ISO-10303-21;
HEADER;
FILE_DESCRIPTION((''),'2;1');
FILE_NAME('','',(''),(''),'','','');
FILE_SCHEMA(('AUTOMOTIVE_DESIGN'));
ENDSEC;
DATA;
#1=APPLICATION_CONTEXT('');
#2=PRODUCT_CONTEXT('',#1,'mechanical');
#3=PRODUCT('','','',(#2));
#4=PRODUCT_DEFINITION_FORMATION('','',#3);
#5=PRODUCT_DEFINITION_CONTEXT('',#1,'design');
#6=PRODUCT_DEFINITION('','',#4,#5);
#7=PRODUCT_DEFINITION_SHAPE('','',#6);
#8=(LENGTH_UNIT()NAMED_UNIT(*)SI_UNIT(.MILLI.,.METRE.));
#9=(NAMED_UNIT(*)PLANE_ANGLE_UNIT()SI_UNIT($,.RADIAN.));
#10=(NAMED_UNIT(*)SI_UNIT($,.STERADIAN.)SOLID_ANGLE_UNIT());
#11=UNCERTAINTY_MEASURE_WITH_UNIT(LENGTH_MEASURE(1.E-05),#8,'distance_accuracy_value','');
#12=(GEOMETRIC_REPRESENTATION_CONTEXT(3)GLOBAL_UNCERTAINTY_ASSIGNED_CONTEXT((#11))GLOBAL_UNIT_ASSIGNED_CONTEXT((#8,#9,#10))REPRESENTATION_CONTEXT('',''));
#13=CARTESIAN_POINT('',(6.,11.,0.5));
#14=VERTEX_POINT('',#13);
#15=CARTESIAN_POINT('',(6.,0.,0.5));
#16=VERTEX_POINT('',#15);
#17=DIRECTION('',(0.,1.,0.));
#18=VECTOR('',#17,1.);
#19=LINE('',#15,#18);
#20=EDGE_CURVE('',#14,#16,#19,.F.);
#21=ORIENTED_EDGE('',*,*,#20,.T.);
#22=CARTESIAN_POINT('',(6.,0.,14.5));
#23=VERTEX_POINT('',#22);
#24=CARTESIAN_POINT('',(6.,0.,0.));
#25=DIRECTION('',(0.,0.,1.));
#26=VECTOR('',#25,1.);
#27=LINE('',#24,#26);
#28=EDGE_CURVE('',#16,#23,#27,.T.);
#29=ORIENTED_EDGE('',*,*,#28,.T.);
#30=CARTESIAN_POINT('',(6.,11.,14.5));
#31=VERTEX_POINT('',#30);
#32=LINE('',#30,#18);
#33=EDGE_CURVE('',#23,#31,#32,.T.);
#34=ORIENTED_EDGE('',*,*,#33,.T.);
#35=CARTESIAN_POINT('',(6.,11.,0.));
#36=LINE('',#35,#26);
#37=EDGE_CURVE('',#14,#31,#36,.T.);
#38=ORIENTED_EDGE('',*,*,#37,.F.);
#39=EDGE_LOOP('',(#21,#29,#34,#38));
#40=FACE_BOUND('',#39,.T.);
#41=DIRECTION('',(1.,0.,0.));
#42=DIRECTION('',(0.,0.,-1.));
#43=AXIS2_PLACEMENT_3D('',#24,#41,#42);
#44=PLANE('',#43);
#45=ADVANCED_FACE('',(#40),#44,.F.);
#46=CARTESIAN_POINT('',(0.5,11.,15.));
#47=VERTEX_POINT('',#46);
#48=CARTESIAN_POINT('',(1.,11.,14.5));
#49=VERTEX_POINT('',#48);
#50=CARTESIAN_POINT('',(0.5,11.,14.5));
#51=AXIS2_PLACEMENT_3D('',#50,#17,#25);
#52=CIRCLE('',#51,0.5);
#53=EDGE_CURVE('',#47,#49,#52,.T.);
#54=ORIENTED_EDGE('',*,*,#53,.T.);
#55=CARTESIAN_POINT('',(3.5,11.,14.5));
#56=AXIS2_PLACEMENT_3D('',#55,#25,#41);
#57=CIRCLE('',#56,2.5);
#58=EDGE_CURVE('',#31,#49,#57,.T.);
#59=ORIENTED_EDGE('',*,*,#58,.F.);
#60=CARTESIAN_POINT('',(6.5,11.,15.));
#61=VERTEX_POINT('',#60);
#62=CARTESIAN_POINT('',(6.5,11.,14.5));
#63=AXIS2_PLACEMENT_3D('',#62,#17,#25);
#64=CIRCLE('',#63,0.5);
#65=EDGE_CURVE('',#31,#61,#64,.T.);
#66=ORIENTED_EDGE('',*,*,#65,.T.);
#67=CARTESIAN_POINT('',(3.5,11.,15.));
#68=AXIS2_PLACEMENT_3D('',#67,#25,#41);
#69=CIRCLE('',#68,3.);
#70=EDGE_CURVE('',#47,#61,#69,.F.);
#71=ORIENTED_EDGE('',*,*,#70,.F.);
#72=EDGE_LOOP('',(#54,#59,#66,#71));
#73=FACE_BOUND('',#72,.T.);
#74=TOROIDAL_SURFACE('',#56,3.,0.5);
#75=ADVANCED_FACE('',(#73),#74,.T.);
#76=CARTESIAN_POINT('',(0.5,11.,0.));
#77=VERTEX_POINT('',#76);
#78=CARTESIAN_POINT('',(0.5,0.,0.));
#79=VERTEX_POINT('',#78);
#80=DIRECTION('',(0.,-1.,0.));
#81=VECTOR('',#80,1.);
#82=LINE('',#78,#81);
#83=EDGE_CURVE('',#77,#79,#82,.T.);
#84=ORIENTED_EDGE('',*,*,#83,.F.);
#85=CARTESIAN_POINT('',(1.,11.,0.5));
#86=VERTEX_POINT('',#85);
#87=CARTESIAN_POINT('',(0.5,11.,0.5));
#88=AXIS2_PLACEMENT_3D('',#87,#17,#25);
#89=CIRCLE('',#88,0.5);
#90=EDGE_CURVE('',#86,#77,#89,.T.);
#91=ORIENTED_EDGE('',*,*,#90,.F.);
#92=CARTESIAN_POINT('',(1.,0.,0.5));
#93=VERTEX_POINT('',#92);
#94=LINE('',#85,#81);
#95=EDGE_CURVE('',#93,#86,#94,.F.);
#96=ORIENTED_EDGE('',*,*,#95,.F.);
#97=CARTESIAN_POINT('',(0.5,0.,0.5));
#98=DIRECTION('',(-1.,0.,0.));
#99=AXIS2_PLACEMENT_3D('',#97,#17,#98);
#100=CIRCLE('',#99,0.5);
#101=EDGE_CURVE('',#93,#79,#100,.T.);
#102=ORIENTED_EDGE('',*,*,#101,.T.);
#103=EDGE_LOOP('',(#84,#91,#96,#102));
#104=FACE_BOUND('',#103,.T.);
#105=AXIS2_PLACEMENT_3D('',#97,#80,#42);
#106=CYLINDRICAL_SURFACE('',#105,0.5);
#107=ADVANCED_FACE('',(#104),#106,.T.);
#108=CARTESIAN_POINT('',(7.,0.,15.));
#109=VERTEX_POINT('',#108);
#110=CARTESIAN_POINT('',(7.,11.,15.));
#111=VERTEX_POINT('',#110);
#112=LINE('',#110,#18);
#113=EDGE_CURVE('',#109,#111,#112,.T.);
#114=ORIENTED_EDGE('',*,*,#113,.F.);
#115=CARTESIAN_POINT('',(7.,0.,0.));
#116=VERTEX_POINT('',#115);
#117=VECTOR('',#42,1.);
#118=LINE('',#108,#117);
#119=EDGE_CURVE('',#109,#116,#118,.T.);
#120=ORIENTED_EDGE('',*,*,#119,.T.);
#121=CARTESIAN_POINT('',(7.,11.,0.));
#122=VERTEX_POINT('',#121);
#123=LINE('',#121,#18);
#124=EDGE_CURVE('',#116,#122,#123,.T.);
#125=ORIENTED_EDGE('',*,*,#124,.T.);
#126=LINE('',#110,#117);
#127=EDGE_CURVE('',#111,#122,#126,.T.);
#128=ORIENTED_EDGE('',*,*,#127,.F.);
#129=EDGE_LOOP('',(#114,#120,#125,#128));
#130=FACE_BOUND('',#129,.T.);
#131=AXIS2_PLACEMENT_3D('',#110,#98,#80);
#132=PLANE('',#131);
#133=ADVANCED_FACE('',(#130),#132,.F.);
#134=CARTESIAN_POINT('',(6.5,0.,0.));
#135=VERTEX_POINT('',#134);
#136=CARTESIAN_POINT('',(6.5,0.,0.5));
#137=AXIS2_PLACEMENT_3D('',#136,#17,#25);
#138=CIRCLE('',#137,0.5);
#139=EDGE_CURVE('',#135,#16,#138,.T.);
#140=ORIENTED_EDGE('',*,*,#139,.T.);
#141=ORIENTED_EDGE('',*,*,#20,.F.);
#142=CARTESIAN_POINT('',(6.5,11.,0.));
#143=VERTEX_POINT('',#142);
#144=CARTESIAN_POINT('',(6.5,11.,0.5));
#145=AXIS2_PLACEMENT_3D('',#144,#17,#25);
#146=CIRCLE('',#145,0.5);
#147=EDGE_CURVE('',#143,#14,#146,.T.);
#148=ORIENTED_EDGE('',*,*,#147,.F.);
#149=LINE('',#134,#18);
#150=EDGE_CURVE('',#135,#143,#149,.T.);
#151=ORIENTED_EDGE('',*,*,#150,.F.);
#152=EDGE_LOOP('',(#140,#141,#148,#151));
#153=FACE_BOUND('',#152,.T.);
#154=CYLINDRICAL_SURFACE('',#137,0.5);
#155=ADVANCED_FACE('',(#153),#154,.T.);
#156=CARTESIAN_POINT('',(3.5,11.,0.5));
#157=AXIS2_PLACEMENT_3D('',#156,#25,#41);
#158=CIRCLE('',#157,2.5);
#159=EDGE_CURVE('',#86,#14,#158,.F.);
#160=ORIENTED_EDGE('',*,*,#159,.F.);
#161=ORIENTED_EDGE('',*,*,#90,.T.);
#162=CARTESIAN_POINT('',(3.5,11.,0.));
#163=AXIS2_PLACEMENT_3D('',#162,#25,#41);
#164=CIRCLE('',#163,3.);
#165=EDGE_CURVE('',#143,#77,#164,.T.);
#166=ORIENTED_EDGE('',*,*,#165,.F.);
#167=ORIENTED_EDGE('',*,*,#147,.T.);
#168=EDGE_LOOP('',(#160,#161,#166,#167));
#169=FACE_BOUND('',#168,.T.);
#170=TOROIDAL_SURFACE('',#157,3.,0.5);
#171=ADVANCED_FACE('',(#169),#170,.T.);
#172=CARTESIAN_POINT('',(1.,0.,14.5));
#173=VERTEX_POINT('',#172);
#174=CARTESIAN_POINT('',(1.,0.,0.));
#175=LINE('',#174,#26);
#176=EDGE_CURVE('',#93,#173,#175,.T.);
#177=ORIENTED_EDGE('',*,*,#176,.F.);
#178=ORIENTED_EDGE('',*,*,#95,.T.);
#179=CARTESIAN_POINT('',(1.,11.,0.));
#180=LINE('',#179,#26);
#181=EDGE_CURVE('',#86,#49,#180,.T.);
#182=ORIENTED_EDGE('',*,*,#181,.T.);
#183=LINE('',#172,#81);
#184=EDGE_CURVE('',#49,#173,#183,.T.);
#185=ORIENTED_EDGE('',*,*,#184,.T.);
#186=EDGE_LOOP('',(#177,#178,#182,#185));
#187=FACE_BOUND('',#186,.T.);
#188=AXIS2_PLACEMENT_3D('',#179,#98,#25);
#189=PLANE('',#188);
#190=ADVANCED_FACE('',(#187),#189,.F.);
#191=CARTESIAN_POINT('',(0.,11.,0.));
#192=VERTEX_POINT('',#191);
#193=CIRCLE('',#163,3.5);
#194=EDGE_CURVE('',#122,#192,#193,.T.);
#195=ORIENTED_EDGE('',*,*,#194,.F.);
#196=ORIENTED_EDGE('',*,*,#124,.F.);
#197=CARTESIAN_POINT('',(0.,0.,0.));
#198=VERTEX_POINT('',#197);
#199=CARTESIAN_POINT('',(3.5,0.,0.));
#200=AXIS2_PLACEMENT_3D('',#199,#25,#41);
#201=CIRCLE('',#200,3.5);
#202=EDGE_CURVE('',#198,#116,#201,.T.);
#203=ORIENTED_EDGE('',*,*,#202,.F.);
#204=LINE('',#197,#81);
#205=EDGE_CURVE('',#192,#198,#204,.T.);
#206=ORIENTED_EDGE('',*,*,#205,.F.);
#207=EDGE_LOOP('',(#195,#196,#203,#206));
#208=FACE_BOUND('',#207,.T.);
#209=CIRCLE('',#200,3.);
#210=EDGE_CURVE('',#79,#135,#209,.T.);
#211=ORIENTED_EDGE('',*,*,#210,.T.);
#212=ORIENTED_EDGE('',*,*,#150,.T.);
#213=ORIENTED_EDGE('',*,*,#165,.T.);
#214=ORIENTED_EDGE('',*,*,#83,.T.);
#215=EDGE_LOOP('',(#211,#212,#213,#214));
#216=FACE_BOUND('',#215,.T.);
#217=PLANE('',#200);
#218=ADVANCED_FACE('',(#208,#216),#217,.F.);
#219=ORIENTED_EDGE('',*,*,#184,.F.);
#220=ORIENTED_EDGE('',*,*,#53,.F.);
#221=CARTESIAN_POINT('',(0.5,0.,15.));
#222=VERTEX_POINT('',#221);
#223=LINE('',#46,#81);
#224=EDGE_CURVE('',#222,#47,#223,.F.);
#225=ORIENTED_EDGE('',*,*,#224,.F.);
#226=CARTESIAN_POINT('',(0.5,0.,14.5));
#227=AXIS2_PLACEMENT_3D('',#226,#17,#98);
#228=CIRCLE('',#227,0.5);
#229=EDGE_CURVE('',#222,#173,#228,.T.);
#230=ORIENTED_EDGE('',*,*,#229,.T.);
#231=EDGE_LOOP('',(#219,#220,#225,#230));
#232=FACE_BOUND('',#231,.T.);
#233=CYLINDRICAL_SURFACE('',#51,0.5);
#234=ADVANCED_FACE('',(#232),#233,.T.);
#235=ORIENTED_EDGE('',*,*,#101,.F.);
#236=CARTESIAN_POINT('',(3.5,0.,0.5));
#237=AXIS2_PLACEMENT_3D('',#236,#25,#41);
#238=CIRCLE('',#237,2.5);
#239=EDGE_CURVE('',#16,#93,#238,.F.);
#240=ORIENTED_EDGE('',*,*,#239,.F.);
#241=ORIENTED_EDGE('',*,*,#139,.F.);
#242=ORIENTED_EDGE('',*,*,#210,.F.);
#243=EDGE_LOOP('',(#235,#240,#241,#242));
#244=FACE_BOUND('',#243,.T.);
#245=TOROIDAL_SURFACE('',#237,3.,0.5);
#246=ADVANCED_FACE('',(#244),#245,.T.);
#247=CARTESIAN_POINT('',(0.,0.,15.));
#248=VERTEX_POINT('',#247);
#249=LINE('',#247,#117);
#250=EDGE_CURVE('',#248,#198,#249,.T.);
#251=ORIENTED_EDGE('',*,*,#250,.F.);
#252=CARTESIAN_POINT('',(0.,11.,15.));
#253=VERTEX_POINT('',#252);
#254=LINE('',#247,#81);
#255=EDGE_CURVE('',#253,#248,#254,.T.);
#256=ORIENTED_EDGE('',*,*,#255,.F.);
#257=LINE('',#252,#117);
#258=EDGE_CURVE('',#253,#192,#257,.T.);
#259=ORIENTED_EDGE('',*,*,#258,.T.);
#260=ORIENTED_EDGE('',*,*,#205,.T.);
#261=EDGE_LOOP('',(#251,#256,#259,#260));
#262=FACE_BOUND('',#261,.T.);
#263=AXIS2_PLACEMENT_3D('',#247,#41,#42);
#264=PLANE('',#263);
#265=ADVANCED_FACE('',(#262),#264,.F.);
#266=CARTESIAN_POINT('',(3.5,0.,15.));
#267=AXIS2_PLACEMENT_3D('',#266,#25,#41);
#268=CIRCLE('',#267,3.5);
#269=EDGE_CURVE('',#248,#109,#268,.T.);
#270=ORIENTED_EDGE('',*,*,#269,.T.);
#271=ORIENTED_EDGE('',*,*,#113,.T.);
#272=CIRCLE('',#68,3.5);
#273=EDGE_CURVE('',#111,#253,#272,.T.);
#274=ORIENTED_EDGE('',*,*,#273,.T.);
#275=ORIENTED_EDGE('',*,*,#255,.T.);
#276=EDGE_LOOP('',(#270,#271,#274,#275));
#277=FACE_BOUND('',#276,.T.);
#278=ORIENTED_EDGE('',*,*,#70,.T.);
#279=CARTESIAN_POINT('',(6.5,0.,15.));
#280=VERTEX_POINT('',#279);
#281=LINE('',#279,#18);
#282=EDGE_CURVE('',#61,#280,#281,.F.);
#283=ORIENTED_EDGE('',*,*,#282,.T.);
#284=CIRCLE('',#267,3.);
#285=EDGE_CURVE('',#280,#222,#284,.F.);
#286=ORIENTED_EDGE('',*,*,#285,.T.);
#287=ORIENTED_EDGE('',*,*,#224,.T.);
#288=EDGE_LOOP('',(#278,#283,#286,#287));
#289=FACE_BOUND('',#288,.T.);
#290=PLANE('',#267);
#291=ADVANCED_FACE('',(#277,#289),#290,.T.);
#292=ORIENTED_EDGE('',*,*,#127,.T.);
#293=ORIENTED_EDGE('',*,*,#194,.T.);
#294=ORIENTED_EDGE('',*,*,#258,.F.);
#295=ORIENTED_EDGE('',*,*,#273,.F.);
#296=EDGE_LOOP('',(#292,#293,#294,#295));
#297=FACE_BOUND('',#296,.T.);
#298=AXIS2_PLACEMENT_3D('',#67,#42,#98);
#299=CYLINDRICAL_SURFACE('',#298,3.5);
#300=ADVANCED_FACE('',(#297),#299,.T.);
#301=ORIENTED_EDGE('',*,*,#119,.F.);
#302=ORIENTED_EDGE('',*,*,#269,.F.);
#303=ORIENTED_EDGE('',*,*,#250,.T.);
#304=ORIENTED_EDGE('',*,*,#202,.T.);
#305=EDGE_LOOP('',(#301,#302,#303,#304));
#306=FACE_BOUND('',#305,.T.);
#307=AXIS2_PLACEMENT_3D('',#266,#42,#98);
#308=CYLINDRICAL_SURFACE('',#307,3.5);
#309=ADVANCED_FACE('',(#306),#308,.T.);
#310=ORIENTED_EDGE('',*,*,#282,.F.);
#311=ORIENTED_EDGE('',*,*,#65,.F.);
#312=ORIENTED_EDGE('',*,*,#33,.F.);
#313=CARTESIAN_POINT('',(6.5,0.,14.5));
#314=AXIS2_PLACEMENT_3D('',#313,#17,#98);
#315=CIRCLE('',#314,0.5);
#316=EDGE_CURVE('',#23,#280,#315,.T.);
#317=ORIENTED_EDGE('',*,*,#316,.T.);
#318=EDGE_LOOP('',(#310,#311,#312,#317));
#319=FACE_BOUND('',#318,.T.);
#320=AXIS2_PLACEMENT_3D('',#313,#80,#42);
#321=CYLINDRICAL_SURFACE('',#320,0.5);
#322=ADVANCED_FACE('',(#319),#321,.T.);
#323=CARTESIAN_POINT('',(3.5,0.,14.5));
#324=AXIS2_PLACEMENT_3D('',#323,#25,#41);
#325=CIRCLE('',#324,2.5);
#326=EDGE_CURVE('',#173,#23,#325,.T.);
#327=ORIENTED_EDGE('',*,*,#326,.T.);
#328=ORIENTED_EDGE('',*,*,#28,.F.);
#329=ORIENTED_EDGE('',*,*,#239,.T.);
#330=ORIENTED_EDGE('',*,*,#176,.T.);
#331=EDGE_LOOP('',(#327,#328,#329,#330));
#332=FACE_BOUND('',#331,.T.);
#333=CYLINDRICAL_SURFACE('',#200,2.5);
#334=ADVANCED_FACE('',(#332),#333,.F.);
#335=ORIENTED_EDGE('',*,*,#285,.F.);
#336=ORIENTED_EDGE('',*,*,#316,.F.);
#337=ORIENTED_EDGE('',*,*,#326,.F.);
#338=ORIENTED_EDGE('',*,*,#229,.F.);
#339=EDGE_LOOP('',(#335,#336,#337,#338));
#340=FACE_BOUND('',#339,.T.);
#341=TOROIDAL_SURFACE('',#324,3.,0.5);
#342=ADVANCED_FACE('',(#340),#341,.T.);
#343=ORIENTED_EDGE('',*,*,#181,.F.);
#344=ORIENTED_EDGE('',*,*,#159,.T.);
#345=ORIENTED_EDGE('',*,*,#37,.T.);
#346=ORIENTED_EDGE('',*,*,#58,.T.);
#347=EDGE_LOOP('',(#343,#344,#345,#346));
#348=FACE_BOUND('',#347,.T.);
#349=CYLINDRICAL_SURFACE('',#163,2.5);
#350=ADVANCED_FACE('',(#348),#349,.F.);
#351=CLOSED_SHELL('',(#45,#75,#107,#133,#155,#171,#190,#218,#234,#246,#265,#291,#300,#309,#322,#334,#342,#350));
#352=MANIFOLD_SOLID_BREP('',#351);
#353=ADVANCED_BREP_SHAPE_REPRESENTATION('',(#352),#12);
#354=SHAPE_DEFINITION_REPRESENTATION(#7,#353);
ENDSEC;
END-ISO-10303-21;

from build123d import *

# Parameters (mm, degrees)
BOSS_EXTRUDE1_DEPTH = 15
CUT_EXTRUDE1_DEPTH  = 23.005681085
FILLET1_R           = 0.5


with BuildPart() as part:
    # Sketch1 → Boss-Extrude1 (new body)
    with BuildSketch(Plane.XY):
        with BuildLine():
            Line((0, 0), (0, 11))
            ThreePointArc((0, 11), (3.5, 14.5), (7, 11))
            Line((7, 11), (7, 0))
            ThreePointArc((7, 0), (3.5, -3.5), (0, 0))
        make_face()
    extrude(amount=BOSS_EXTRUDE1_DEPTH)

    # Sketch2 → Cut-Extrude1 (cut, through all)
    with BuildSketch(Plane.XY.offset(15)):
        with BuildLine():
            Line((6, 0), (6, 11))
            ThreePointArc((6, 11), (3.5, 13.5), (1, 11))
            Line((1, 11), (1, 0))
            ThreePointArc((1, 0), (3.5, -2.5), (6, 0))
        make_face()
    extrude(amount=-CUT_EXTRUDE1_DEPTH, mode=Mode.SUBTRACT)

    # Fillet1
    fillet1_edges = [part.edges().sort_by_distance(p)[0] for p in [
        (3.5, -2.5, 0),
        (1, 5.5, 0),
        (3.5, 13.5, 0),
        (6, 5.5, 0),
        (3.5, -2.5, 15),
        (6, 5.5, 15),
        (3.5, 13.5, 15),
        (1, 5.5, 15),
    ]]
    fillet(fillet1_edges, radius=FILLET1_R)


solid = part.part
